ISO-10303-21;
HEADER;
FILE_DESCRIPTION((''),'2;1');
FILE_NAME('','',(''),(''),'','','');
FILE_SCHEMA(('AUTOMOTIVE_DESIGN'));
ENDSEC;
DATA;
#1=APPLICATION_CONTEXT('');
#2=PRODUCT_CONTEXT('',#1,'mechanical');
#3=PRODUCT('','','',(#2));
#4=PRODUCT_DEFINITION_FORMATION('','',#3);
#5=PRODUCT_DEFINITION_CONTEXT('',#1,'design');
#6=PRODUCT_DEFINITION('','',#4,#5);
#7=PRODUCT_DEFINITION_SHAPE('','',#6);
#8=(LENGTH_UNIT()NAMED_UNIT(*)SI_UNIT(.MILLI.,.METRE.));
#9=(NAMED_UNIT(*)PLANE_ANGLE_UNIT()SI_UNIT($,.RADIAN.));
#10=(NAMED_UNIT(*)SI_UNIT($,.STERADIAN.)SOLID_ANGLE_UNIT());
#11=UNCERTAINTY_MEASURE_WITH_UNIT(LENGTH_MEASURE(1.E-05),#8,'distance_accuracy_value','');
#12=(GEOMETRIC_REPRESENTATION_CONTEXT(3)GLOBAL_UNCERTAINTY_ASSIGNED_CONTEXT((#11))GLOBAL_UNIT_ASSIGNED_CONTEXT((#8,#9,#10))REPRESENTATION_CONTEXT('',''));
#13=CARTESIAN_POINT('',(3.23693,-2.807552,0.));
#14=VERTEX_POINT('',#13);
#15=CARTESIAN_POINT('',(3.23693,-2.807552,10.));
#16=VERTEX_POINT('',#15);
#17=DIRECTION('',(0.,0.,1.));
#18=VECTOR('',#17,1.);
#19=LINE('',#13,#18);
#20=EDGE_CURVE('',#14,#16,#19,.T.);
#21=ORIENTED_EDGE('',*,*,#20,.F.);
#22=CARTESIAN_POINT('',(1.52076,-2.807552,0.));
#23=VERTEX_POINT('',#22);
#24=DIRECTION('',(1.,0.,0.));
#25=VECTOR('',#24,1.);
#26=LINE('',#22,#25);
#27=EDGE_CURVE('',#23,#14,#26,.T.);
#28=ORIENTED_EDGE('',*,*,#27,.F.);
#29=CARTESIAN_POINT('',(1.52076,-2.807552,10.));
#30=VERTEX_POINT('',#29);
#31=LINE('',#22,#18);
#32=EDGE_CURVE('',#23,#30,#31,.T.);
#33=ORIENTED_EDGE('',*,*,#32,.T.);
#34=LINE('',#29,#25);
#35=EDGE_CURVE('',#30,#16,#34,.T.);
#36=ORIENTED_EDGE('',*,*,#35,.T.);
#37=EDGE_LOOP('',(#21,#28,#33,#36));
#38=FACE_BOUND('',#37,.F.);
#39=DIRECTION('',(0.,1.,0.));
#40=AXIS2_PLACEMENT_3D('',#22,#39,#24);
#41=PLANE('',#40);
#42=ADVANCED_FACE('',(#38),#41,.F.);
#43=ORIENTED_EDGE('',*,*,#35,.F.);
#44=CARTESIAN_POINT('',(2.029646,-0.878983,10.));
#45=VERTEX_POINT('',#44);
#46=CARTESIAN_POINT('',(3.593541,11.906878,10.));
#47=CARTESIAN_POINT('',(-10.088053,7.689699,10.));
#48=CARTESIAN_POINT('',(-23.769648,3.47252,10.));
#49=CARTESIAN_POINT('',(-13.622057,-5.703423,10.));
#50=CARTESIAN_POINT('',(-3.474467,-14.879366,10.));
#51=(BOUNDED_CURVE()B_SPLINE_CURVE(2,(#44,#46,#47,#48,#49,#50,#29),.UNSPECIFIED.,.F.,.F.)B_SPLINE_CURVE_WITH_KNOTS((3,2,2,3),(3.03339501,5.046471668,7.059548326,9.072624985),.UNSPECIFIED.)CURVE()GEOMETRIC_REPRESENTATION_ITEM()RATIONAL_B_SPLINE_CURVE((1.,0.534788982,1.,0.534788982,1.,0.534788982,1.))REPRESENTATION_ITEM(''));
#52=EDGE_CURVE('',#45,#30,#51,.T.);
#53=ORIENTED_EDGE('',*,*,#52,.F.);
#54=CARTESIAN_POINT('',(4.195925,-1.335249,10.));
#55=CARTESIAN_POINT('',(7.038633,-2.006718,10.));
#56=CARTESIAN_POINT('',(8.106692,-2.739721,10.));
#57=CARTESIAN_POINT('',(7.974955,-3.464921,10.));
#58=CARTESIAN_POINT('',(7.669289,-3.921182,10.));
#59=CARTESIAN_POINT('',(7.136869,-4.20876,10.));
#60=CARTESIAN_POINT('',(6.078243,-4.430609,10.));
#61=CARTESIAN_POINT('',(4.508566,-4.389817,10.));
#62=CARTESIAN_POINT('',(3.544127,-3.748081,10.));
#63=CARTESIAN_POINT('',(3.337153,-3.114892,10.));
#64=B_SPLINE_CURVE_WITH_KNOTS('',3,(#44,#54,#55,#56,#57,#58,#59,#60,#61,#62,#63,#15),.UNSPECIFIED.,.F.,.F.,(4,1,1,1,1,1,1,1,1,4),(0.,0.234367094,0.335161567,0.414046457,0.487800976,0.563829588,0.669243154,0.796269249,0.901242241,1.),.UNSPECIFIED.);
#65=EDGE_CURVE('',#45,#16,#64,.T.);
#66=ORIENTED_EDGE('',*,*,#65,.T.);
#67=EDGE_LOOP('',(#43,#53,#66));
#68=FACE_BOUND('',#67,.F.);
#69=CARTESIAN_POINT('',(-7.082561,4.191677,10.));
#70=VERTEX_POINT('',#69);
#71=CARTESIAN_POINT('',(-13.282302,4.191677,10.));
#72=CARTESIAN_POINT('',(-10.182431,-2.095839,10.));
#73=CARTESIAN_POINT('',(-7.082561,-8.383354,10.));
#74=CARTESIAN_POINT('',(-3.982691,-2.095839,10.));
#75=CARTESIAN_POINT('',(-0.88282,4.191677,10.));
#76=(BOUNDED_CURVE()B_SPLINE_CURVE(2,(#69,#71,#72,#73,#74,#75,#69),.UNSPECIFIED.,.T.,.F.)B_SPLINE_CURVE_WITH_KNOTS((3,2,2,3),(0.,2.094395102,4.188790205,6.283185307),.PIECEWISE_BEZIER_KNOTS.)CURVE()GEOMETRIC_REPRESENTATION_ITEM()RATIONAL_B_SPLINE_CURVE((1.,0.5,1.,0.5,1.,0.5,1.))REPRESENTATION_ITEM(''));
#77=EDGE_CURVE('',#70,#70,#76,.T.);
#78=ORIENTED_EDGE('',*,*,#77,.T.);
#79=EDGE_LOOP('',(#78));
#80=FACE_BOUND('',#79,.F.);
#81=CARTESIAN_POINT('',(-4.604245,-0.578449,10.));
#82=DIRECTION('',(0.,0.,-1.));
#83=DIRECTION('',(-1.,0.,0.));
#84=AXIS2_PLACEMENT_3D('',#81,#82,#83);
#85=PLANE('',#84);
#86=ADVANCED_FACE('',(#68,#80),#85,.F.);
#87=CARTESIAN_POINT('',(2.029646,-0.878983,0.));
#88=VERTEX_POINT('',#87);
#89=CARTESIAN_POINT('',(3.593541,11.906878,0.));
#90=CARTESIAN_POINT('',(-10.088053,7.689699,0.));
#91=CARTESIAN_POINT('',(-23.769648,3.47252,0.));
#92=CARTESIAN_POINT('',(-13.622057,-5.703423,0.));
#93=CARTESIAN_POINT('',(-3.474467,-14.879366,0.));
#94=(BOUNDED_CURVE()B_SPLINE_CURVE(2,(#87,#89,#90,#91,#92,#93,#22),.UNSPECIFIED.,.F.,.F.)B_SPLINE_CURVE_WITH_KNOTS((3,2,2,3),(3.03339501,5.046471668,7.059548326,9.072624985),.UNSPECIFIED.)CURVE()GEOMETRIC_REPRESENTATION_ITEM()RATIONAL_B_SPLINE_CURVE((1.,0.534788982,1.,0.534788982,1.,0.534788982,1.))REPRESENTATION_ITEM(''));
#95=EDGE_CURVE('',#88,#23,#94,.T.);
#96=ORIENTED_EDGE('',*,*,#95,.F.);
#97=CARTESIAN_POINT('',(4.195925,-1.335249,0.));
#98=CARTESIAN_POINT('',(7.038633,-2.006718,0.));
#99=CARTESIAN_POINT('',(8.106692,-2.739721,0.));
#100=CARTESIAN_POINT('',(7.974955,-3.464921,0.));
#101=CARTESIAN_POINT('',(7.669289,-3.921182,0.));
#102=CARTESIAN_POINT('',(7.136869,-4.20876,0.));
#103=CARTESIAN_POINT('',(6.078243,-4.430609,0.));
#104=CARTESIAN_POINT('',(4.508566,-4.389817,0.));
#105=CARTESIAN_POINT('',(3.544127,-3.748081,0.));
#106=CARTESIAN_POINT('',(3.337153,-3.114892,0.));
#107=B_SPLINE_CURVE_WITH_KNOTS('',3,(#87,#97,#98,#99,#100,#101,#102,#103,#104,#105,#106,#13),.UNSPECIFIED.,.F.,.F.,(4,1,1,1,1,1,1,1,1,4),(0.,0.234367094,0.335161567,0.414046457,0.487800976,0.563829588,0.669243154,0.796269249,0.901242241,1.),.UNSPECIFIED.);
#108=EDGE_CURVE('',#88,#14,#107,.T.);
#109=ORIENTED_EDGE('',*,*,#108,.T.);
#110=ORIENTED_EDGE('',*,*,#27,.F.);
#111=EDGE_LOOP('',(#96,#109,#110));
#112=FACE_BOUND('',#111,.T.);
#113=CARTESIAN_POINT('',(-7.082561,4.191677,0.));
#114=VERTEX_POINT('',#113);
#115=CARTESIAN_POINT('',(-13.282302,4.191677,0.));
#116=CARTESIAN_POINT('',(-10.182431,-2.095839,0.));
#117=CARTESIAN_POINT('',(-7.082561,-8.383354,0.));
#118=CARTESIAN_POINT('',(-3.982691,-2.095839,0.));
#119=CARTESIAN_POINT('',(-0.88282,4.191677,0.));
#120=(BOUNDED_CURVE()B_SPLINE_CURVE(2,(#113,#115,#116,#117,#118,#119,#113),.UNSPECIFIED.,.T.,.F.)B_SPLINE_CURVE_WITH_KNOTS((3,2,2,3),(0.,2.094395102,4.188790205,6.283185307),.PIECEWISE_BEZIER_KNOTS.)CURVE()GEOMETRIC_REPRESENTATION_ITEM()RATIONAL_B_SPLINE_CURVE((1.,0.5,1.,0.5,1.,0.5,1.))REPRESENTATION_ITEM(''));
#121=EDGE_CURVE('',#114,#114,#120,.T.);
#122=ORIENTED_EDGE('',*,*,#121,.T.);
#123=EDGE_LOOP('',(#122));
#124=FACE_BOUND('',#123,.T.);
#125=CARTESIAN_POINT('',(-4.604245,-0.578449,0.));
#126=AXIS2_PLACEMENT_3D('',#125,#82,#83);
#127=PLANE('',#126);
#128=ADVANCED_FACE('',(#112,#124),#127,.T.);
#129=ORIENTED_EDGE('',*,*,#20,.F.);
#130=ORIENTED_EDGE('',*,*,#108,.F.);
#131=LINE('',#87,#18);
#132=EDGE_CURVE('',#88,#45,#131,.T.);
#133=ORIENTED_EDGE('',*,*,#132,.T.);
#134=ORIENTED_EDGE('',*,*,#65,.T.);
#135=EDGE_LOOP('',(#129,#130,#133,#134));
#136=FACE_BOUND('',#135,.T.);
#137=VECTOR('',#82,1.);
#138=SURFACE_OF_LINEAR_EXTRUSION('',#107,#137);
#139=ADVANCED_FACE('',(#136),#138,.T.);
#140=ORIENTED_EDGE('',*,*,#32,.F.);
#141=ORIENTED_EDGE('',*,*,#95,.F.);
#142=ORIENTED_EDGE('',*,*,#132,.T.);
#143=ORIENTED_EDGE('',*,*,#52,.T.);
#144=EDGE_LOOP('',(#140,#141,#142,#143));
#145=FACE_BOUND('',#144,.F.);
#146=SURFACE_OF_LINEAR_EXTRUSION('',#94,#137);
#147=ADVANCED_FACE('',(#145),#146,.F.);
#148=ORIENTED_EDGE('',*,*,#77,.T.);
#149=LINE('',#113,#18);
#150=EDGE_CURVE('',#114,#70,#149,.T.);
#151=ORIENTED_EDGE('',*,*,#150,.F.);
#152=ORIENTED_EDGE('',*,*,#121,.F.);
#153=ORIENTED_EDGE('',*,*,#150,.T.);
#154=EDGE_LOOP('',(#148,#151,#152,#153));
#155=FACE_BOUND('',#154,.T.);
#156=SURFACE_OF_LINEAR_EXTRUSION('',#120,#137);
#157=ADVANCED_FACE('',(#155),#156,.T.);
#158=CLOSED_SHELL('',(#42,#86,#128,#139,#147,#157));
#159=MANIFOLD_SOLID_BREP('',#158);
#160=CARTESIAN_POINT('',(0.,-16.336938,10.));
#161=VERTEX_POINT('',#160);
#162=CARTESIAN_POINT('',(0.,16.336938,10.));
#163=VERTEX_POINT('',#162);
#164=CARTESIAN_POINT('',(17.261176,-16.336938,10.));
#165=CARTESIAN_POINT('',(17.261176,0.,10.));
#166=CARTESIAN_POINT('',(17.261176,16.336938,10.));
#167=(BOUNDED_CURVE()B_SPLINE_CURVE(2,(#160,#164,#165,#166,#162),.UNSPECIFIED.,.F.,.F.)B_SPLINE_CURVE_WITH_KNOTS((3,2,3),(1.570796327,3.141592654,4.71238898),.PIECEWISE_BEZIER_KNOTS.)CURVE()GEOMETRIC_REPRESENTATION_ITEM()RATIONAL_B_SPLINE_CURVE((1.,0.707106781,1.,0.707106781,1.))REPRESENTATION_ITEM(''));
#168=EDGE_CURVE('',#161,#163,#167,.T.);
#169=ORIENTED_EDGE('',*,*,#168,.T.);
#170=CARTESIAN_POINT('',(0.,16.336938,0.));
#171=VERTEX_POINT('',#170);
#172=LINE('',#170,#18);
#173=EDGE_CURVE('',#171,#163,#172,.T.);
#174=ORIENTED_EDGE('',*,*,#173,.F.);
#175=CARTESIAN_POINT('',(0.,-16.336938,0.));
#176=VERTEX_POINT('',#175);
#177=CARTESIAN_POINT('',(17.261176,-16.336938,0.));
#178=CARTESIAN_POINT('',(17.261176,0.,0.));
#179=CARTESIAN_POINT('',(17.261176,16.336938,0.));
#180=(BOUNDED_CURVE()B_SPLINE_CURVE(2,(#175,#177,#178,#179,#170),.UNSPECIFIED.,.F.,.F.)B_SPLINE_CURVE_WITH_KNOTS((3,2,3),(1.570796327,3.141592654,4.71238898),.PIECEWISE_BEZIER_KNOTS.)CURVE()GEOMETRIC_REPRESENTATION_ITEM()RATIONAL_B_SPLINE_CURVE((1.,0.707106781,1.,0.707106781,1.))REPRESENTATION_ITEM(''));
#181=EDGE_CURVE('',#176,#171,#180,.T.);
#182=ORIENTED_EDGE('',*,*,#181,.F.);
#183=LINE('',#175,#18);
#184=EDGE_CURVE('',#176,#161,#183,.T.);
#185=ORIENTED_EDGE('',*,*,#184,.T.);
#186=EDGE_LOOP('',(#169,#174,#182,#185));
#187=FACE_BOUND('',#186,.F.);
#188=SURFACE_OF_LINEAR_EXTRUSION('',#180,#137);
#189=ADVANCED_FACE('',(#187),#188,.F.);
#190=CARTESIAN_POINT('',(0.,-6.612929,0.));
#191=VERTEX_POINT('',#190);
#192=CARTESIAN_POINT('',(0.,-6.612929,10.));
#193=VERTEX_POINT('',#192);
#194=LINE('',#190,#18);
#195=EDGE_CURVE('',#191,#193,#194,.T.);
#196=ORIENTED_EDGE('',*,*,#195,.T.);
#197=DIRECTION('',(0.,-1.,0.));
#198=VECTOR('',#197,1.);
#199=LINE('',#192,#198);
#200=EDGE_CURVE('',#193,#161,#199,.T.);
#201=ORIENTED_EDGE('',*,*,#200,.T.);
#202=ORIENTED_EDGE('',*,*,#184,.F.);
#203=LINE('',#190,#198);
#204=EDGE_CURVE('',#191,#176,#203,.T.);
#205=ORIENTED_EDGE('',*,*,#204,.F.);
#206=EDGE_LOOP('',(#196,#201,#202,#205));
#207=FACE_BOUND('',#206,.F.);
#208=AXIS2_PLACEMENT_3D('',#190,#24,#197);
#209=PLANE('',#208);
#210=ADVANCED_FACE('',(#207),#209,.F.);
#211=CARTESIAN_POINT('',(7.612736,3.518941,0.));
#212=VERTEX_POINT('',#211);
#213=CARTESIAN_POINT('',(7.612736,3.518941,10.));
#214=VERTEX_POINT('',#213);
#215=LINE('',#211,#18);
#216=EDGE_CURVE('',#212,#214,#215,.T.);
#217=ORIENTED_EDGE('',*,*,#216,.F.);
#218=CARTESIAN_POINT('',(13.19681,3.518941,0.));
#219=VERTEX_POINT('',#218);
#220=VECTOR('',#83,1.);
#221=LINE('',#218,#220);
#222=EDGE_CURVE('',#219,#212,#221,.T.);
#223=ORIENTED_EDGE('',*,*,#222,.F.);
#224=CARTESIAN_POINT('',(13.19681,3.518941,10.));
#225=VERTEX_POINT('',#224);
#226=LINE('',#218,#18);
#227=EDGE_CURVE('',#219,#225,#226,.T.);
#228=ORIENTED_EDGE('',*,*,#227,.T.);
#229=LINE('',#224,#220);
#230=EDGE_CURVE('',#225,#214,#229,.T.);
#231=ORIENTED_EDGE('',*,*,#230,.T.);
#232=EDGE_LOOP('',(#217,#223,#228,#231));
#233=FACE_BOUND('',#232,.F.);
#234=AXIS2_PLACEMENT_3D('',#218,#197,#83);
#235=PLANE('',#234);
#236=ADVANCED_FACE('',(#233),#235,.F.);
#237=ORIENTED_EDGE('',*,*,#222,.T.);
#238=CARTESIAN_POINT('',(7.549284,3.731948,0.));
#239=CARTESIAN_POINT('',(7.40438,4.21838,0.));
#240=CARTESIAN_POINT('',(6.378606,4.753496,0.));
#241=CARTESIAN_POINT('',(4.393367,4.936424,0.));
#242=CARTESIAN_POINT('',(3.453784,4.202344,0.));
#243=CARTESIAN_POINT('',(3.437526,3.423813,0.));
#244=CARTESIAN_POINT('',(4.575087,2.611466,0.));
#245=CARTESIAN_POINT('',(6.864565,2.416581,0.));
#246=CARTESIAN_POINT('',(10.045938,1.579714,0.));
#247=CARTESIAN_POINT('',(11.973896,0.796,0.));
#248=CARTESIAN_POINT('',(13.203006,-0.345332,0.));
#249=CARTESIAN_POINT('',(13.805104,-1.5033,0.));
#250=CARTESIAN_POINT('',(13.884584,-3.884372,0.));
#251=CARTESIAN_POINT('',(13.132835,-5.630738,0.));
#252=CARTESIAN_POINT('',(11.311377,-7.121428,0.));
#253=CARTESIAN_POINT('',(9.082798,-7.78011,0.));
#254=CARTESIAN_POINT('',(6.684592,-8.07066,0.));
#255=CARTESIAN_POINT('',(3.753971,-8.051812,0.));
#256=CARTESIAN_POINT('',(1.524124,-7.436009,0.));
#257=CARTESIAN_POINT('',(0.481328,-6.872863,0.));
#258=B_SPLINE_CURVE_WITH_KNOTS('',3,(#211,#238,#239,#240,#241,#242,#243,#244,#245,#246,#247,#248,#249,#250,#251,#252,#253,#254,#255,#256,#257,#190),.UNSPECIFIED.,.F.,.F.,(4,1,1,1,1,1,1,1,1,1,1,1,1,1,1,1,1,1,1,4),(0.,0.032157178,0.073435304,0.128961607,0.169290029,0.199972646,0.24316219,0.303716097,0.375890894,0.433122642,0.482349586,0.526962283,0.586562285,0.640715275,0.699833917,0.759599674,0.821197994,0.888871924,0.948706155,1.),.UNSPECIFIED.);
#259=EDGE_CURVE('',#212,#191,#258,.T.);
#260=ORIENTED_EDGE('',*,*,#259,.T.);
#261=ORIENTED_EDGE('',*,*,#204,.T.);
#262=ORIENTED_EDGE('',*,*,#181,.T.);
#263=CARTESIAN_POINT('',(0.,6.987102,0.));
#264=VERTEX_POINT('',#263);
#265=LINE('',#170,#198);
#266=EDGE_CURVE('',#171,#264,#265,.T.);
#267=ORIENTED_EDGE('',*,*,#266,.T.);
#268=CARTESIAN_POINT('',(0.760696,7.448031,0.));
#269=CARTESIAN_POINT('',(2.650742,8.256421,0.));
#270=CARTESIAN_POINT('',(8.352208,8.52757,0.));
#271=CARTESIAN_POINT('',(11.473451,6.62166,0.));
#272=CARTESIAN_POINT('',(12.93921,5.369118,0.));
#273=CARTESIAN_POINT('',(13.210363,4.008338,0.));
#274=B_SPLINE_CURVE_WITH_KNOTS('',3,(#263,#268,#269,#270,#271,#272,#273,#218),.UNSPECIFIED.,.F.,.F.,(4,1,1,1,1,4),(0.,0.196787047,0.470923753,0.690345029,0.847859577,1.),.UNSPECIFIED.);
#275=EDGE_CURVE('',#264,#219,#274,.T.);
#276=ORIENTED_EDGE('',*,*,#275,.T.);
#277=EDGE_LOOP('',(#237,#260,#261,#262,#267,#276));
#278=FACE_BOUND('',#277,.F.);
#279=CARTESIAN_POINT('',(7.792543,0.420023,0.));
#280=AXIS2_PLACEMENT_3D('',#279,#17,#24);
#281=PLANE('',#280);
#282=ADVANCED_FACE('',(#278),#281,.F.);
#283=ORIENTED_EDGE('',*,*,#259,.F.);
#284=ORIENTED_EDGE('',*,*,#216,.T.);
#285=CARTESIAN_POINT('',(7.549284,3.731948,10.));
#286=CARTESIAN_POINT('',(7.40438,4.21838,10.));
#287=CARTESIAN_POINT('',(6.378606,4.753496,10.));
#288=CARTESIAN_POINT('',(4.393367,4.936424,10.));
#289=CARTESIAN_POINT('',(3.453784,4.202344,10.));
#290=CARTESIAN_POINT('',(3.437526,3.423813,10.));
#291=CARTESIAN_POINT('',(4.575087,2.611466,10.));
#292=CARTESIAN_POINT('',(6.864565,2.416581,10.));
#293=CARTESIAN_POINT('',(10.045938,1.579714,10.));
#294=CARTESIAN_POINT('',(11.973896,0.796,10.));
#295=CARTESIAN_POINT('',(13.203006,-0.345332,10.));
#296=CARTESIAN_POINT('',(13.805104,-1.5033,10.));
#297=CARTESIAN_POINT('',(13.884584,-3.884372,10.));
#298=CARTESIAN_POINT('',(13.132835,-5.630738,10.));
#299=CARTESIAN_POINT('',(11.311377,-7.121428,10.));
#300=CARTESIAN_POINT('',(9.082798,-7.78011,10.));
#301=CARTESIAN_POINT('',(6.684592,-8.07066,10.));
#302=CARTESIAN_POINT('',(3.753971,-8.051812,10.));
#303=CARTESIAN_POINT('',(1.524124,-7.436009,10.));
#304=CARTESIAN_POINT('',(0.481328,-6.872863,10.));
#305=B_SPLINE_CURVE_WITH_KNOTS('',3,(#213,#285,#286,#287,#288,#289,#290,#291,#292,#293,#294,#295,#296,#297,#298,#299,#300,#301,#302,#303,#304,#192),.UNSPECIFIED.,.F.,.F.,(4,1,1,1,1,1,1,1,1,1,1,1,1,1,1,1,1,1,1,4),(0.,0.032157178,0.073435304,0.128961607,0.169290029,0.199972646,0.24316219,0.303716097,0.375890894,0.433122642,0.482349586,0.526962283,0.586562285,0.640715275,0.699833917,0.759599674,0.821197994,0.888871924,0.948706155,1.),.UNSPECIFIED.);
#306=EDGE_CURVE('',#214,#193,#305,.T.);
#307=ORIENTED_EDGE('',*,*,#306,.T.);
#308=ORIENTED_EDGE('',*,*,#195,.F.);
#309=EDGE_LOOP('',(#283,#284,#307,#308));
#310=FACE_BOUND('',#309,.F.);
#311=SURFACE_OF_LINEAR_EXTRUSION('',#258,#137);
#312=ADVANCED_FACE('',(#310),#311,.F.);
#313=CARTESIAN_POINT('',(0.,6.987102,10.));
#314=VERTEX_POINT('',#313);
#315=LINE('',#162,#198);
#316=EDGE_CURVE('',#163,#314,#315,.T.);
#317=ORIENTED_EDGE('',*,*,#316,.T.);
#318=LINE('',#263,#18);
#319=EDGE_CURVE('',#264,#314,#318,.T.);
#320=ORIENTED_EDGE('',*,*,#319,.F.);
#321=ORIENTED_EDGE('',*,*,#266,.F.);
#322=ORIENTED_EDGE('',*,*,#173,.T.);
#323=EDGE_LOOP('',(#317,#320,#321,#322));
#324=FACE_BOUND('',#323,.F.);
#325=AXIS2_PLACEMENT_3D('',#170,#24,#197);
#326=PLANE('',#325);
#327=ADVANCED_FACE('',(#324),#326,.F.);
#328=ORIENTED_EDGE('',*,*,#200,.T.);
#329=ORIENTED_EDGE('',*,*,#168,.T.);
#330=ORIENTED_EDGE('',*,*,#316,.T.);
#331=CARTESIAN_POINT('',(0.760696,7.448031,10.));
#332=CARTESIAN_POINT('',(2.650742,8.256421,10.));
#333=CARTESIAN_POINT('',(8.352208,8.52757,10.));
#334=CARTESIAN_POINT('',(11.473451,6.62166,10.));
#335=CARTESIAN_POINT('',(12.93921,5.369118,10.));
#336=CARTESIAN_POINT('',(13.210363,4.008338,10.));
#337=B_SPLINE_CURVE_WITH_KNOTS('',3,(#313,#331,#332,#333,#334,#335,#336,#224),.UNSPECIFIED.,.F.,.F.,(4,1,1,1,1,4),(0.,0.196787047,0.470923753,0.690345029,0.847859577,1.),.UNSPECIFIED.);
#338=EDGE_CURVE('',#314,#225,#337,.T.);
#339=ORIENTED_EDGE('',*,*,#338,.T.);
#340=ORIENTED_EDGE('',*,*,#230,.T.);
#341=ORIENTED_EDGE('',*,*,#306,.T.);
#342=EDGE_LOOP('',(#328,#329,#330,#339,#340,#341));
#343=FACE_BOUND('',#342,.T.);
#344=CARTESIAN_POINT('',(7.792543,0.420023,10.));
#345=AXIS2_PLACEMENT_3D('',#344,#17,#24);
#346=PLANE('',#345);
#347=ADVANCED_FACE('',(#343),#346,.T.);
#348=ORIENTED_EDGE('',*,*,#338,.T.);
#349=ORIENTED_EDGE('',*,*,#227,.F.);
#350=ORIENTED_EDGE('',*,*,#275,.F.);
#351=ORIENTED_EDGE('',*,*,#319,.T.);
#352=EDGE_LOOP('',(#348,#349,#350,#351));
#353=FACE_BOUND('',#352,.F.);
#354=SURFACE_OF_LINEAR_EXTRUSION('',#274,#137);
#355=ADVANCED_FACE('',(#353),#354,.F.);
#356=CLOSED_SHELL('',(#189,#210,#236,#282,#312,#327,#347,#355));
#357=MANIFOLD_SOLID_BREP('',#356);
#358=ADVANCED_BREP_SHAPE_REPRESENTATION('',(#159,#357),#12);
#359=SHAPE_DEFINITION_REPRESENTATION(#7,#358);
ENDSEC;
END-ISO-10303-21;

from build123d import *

# Parameters (mm, degrees)
F1_DEPTH = 10


with BuildPart() as f1:
    # F0 (on Top) → F1 (new body)
    with BuildSketch(Plane.XY):
        with BuildLine():
            add(Edge.make_bspline(
                [(2.0296457511, -0.8789825634), (4.1959245459, -1.3352487154), (7.0386333554, -2.0067184488), (8.1066923125, -2.7397210922), (7.9749546998, -3.4649214618), (7.6692887662, -3.9211820916), (7.1368685251, -4.208759588), (6.078243389, -4.4306087243), (4.5085657916, -4.3898169984), (3.5441273351, -3.7480814881), (3.3371528109, -3.1148922406), (3.2369296532, -2.8075522278)],
                knots=[0, 0, 0, 0, 0.2343670941, 0.335161567, 0.4140464567, 0.4878009759, 0.5638295882, 0.6692431543, 0.7962692486, 0.9012422415, 1, 1, 1, 1], degree=3))
            add(Edge.make_bspline(
                [(2.0296457511, -0.8789825634), (3.5935408506, 11.9068781884), (-10.0880534393, 7.6896991514), (-23.7696477292, 3.4725201143), (-13.6220573579, -5.7034228185), (-3.4744669867, -14.8793657512), (1.5207597149, -2.8075522278)],
                knots=[3.0333950097, 3.0333950097, 3.0333950097, 5.046471668, 5.046471668, 7.0595483262, 7.0595483262, 9.0726249845, 9.0726249845, 9.0726249845], degree=2, weights=[1, 0.534788982, 1, 0.534788982, 1, 0.534788982, 1]))
            Line((1.5207597149, -2.8075522278), (3.2369296532, -2.8075522278))
        make_face()
        with BuildLine():
            add(Edge.make_bspline(
                [(-7.082561031, 4.1916770861), (-13.2823019673, 4.1916770861), (-10.1824314992, -2.095838543), (-7.082561031, -8.3833541721), (-3.9826905628, -2.095838543), (-0.8828200947, 4.1916770861), (-7.082561031, 4.1916770861)],
                knots=[0, 0, 0, 2.0943951024, 2.0943951024, 4.1887902048, 4.1887902048, 6.2831853072, 6.2831853072, 6.2831853072], degree=2, weights=[1, 0.5, 1, 0.5, 1, 0.5, 1]))
        make_face(mode=Mode.SUBTRACT)
    extrude(amount=F1_DEPTH)


with BuildPart() as f1b:
    # F0 (on Top) → F1, piece 2 (new body)
    with BuildSketch(Plane.XY):
        with BuildLine():
            Line((0, -6.6129290499), (0, -16.3369383663))
            add(Edge.make_bspline(
                [(0, -16.3369383663), (17.2611761703, -16.3369383663), (17.2611761703, 0), (17.2611761703, 16.3369383663), (0, 16.3369383663)],
                knots=[1.5707963268, 1.5707963268, 1.5707963268, 3.1415926536, 3.1415926536, 4.7123889804, 4.7123889804, 4.7123889804], degree=2, weights=[1, 0.7071067812, 1, 0.7071067812, 1]))
            Line((0, 16.3369383663), (0, 6.9871020569))
            add(Edge.make_bspline(
                [(0, 6.9871020569), (0.7606964125, 7.4480307471), (2.650742106, 8.2564214656), (8.352208493, 8.5275699755), (11.4734513806, 6.621659875), (12.9392099186, 5.3691184552), (13.2103626649, 4.0083383332), (13.1968103375, 3.5189409862)],
                knots=[0, 0, 0, 0, 0.1967870469, 0.4709237532, 0.6903450292, 0.847859577, 1, 1, 1, 1], degree=3))
            Line((13.1968103375, 3.5189409862), (7.61273643, 3.5189409862))
            add(Edge.make_bspline(
                [(7.61273643, 3.5189409862), (7.5492835479, 3.731948283), (7.4043802357, 4.2183795026), (6.3786057962, 4.753495834), (4.3933672516, 4.9364243675), (3.4537842591, 4.2023441233), (3.4375255832, 3.4238125679), (4.5750871668, 2.6114661931), (6.8645652894, 2.4165807755), (10.0459375782, 1.5797137112), (11.9738960783, 0.795999988), (13.2030055129, -0.3453323538), (13.8051043581, -1.5032996243), (13.8845839789, -3.8843721599), (13.1328347988, -5.6307377555), (11.3113774877, -7.1214281823), (9.0827977138, -7.7801100525), (6.6845921999, -8.0706595629), (3.7539711861, -8.0518122863), (1.5241242069, -7.4360089256), (0.4813278293, -6.8728627535), (0, -6.6129290499)],
                knots=[0, 0, 0, 0, 0.0321571784, 0.0734353036, 0.1289616072, 0.1692900289, 0.1999726456, 0.2431621905, 0.3037160967, 0.3758908937, 0.4331226424, 0.4823495864, 0.5269622834, 0.5865622852, 0.6407152751, 0.6998339169, 0.7595996736, 0.8211979939, 0.8888719243, 0.9487061553, 1, 1, 1, 1], degree=3))
        make_face()
    extrude(amount=F1_DEPTH)


solid = Compound([f1.part, f1b.part])
